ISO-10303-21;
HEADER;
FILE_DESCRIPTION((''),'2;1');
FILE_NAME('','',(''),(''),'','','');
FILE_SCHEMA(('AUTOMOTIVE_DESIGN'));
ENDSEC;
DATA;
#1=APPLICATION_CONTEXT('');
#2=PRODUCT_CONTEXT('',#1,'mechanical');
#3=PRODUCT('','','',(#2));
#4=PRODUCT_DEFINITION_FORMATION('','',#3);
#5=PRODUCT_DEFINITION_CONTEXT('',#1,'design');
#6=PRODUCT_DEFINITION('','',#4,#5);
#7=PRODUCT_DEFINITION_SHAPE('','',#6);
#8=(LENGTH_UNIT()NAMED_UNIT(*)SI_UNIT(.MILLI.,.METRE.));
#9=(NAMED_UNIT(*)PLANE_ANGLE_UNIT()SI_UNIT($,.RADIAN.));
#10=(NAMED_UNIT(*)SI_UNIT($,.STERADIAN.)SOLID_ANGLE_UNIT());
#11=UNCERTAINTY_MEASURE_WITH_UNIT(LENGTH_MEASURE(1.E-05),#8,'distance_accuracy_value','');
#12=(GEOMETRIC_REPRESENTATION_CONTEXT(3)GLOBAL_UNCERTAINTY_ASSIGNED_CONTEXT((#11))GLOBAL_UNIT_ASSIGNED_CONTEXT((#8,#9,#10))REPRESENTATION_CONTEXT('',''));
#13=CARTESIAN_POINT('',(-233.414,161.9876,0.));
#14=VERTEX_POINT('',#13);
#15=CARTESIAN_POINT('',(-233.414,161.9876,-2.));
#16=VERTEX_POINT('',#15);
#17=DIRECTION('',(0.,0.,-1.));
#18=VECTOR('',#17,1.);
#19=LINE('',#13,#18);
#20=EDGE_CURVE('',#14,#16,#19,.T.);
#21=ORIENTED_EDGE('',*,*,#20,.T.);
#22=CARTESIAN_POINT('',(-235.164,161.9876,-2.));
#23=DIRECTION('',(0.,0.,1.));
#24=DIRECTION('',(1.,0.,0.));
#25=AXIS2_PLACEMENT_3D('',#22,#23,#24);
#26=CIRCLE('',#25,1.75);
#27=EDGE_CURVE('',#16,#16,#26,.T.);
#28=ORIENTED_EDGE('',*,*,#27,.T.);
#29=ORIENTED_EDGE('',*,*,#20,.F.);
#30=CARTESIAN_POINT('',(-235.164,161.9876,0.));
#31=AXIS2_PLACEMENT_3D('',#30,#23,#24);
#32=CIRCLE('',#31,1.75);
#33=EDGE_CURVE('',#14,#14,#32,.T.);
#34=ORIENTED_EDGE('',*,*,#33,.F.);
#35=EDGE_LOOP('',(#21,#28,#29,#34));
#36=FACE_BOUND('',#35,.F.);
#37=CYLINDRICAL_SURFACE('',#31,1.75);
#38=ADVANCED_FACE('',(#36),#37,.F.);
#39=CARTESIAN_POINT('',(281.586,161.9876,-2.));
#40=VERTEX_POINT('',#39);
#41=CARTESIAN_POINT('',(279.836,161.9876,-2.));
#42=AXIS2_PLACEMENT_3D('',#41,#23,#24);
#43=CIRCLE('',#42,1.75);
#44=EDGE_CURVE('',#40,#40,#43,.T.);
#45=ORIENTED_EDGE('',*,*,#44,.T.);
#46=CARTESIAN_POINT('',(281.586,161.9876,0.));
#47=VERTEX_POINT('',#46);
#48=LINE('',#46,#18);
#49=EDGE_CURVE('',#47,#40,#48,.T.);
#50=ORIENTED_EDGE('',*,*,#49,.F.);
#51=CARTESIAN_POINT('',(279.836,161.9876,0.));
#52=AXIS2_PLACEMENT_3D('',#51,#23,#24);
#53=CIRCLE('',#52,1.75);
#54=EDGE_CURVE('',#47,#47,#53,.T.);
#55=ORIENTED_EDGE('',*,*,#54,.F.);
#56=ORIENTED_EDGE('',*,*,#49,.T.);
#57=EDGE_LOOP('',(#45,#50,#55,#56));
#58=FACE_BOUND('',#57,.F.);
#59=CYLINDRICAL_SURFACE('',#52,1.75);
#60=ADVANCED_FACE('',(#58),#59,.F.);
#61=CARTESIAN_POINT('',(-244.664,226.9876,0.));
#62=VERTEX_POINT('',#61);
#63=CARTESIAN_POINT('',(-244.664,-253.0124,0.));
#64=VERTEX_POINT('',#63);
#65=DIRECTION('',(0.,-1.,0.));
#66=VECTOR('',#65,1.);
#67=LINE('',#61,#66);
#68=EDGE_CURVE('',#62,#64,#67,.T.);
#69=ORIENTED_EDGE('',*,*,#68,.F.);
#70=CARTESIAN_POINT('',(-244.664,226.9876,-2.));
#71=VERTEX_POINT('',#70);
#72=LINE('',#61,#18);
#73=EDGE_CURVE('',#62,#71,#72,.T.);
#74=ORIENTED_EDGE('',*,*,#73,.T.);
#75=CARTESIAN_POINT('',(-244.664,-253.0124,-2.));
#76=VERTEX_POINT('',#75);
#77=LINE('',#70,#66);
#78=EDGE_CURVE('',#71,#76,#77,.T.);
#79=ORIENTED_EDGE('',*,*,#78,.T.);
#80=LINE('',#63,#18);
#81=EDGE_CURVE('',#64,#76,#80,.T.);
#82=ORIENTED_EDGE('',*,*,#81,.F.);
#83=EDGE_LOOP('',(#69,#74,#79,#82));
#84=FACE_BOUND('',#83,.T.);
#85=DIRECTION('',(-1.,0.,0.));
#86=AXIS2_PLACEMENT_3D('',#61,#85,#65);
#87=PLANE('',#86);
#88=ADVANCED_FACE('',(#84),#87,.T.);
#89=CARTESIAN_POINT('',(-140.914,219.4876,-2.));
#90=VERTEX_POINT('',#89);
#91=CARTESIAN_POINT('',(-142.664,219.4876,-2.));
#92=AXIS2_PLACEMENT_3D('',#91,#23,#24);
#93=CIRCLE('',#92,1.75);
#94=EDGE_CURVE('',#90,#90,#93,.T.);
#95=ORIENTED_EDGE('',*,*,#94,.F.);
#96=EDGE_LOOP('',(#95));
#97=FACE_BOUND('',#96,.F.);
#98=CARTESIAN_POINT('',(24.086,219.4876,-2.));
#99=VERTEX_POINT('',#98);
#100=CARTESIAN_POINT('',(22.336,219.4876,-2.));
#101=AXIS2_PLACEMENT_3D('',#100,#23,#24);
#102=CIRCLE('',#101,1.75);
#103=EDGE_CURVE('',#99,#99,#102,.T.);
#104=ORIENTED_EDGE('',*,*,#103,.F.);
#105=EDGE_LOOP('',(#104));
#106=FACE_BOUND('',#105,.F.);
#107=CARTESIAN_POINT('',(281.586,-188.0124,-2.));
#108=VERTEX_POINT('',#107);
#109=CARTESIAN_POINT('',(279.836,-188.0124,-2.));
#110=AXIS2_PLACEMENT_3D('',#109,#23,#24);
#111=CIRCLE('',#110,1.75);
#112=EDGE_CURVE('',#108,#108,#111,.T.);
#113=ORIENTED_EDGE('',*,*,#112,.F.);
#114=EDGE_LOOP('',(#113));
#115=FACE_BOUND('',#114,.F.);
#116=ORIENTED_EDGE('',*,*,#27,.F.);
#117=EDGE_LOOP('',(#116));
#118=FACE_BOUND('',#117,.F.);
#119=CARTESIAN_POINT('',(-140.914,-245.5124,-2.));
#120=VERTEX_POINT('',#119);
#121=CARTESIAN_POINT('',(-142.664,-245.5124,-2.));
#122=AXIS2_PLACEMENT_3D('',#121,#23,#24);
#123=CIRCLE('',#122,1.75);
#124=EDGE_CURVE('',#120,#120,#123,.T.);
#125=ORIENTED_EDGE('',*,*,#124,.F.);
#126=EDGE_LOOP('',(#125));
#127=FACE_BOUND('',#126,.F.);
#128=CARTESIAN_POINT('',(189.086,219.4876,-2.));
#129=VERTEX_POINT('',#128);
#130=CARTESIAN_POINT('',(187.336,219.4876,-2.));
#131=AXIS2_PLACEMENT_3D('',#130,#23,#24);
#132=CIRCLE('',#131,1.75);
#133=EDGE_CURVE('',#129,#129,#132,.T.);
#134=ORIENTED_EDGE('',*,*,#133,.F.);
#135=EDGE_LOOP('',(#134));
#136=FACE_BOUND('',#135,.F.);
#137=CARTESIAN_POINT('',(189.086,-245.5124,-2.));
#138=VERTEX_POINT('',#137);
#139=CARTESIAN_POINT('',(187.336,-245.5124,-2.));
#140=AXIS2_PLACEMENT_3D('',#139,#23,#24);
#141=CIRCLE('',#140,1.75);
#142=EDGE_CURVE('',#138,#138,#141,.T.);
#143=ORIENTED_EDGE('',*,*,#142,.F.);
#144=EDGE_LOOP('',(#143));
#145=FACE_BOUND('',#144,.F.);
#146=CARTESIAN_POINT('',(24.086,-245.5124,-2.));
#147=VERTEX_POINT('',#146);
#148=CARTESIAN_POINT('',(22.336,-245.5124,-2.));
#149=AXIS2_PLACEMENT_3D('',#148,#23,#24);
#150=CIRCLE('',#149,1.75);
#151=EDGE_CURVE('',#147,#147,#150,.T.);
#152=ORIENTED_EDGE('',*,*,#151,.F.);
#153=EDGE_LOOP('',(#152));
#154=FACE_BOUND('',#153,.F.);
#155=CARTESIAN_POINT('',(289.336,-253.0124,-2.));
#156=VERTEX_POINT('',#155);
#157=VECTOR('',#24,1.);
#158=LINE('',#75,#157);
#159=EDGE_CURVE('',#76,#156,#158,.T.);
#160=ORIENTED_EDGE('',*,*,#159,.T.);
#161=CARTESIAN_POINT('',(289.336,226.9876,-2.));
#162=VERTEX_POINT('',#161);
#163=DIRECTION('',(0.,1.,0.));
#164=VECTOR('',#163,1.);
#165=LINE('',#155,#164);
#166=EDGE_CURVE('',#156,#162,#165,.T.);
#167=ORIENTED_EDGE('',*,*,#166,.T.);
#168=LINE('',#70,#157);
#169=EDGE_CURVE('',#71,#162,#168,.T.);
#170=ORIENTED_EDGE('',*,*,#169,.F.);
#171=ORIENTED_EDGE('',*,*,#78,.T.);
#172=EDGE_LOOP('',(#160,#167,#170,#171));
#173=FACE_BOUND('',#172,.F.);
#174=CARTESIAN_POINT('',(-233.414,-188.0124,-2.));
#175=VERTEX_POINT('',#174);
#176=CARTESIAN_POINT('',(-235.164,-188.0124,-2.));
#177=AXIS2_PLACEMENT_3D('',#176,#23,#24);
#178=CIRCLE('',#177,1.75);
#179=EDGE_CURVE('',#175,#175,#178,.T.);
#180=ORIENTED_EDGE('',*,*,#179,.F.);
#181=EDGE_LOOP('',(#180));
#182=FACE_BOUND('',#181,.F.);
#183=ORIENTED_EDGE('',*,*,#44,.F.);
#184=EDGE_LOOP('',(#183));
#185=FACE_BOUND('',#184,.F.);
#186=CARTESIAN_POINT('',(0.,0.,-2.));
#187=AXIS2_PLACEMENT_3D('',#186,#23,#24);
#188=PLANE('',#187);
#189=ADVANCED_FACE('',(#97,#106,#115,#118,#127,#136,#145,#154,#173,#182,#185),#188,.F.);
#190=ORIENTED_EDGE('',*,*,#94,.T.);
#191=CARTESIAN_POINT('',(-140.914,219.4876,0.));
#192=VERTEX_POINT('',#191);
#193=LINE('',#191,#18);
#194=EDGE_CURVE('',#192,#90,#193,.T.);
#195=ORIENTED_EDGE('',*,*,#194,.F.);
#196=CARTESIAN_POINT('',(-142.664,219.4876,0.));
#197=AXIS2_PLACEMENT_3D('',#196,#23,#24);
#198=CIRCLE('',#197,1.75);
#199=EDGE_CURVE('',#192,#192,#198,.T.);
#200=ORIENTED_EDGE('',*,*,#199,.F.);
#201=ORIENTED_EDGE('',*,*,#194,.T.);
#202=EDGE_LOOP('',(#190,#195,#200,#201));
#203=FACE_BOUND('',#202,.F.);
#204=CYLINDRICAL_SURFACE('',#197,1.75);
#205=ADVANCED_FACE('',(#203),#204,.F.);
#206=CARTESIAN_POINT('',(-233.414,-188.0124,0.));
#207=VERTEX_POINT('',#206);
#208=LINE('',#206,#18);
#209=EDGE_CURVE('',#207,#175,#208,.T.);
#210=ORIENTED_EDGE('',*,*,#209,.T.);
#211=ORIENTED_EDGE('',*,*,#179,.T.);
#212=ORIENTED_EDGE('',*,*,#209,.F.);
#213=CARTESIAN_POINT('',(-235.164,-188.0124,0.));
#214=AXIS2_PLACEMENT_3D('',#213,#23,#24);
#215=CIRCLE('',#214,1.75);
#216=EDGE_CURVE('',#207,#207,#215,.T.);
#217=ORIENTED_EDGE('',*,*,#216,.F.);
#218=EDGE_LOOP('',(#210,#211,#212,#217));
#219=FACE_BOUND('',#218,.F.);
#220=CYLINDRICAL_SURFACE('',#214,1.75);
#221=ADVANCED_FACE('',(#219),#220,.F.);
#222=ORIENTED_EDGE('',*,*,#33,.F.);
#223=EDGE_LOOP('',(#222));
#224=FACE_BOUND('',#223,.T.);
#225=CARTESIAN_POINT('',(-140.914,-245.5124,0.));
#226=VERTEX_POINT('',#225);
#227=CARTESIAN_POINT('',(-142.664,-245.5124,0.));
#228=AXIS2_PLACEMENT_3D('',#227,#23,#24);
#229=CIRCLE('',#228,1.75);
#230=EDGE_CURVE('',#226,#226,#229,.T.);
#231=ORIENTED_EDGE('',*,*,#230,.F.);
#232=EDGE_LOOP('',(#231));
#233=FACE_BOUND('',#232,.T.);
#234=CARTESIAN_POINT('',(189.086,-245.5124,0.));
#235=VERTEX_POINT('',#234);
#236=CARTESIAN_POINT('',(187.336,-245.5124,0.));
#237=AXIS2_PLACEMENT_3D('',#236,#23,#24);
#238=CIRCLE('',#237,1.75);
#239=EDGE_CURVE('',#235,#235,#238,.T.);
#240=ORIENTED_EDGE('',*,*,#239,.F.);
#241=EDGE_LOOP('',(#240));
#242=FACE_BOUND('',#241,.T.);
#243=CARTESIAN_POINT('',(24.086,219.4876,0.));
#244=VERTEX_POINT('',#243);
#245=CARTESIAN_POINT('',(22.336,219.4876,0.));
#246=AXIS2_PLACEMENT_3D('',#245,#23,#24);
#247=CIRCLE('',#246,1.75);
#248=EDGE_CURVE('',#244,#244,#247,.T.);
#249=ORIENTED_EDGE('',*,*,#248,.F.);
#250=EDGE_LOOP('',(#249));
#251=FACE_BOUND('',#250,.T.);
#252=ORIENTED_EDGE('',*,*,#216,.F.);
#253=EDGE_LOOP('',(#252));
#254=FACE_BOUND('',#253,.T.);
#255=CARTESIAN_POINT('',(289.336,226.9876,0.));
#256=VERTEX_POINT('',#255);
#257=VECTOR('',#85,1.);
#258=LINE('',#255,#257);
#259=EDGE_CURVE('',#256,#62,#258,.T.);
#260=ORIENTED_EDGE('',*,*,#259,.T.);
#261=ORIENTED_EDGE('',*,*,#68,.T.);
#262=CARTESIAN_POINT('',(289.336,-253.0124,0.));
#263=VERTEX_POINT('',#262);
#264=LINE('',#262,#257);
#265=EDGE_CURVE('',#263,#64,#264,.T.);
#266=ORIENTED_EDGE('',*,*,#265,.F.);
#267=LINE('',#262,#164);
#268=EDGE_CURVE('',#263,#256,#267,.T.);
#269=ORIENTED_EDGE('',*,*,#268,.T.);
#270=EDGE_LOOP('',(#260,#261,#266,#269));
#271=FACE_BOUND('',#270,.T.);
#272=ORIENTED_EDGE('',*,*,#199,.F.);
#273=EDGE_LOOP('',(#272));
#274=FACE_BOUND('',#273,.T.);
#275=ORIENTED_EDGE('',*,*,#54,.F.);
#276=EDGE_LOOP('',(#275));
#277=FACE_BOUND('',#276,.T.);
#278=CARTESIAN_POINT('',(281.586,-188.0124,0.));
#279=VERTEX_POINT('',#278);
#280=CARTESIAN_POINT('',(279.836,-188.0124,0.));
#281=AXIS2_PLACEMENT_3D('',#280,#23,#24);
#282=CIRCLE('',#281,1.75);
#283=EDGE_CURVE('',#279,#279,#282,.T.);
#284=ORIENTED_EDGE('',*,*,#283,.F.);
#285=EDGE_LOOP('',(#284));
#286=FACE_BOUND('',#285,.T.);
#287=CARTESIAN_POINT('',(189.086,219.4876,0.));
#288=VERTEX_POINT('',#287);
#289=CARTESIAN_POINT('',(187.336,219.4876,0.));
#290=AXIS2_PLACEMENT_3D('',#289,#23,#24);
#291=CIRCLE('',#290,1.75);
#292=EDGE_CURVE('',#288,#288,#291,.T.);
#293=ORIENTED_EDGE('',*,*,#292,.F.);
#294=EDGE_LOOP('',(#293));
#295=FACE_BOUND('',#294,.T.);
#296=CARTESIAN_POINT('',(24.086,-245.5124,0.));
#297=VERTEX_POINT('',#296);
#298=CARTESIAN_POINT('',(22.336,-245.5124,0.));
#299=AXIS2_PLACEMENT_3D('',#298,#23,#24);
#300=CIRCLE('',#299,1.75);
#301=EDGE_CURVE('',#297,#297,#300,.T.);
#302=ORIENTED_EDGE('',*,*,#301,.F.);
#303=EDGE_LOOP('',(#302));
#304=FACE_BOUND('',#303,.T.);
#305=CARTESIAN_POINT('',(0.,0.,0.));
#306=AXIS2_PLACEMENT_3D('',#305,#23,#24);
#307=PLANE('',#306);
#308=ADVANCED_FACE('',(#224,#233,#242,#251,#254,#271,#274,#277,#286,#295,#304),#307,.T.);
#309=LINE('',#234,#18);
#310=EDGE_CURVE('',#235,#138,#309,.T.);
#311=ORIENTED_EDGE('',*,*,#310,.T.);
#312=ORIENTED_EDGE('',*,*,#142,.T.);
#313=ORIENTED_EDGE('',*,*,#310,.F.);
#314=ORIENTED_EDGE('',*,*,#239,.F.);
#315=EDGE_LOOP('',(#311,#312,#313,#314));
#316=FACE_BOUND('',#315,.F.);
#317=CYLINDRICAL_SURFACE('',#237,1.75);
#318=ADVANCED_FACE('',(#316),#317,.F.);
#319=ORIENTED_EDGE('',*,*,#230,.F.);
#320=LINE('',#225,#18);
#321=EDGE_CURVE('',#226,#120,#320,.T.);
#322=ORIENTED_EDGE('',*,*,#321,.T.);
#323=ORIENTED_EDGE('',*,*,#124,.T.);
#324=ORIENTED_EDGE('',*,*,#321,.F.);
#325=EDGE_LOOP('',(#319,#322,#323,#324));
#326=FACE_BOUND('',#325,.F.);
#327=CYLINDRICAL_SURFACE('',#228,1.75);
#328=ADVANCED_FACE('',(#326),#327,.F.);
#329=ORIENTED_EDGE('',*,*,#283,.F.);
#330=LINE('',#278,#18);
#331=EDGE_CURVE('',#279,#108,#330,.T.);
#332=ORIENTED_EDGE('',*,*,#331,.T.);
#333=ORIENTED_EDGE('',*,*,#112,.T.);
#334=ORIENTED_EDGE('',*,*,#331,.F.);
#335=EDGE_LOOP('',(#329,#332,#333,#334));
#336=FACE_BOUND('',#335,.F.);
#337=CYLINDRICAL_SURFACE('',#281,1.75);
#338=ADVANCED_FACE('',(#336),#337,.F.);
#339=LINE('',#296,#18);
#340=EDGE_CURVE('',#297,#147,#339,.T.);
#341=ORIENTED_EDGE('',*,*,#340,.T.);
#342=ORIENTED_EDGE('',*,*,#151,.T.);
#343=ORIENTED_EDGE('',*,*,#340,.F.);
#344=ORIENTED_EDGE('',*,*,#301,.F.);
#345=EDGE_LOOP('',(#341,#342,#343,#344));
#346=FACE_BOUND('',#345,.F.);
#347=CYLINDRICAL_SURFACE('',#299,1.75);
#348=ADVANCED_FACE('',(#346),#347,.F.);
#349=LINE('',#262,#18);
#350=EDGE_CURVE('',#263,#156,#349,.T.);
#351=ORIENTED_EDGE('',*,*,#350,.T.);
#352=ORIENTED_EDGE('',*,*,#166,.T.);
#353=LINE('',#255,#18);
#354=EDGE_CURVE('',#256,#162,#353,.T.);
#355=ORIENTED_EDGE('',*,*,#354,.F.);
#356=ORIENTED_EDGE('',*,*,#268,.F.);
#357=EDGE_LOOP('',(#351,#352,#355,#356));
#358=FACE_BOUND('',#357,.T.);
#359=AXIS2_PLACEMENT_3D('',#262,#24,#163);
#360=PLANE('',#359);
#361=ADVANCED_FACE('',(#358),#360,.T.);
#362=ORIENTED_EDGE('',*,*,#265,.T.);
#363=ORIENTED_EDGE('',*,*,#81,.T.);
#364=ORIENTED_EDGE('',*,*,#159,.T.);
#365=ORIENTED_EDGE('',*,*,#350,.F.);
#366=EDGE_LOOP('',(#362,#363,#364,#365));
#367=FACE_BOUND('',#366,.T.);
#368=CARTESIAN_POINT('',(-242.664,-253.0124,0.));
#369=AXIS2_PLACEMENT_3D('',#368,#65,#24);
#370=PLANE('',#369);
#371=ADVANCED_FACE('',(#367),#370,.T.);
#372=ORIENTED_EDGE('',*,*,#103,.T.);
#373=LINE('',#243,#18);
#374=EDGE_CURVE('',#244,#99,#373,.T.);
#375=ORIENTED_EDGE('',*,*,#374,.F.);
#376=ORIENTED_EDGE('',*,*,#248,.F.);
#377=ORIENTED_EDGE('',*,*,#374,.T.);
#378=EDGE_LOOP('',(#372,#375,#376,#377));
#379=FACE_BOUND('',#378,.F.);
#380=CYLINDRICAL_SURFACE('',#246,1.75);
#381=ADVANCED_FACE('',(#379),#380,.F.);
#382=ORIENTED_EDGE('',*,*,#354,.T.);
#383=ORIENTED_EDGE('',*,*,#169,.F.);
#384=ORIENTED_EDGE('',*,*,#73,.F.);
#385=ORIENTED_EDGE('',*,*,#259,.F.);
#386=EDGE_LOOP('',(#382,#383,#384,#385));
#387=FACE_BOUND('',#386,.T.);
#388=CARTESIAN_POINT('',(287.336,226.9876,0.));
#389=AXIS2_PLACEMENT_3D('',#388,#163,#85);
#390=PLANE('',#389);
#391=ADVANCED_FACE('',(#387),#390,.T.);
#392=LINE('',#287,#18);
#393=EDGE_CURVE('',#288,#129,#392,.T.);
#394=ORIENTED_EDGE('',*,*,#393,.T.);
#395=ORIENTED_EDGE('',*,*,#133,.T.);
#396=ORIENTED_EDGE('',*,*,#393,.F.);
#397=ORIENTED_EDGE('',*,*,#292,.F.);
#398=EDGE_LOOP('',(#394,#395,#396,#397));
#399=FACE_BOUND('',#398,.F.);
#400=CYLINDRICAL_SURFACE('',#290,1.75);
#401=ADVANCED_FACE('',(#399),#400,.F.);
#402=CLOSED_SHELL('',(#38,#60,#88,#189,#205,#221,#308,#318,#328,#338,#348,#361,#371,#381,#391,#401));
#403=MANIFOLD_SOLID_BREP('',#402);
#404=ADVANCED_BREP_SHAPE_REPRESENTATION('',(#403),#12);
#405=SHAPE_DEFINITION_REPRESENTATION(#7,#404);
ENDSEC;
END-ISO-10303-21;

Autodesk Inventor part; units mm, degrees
ref_plane "YZ Plane" through (0, 0, 0) normal (1, 0, 0) x (0, 1, 0)
ref_plane "XZ Plane" through (0, 0, 0) normal (0, 1, 0) x (-1, 0, 0)
ref_plane "XY Plane" through (0, 0, 0) normal (0, 0, 1) x (1, 0, 0)
sketch "Sketch1" plane through (0, 0, 0) normal (0, 0, 1) x (1, 0, 0)
  line L0 (287.336, -253.0124) -> (287.336, 226.9876) projected
  line L1 (287.336, 226.9876) -> (289.336, 226.9876) projected
  line L2 (289.336, -253.0124) -> (289.336, 226.9876) projected
  line L3 (287.336, -253.0124) -> (289.336, -253.0124) projected
  line L4 (-242.664, 226.9876) -> (-242.664, -253.0124) projected
  line L5 (-242.664, -253.0124) -> (-244.664, -253.0124) projected
  line L6 (-244.664, 226.9876) -> (-244.664, -253.0124) projected
  line L7 (-242.664, 226.9876) -> (-244.664, 226.9876) projected
  line L8 (287.336, 226.9876) -> (-242.664, 226.9876)
  line L9 (-242.664, -253.0124) -> (287.336, -253.0124)
  circle A0 centre (187.336, 219.4876) radius 1.75
  circle A1 centre (-142.664, 219.4876) radius 1.75
  circle A2 centre (22.336, 219.4876) radius 1.75
  circle A3 centre (187.336, -245.5124) radius 1.75
  circle A4 centre (22.336, -245.5124) radius 1.75
  circle A5 centre (-142.664, -245.5124) radius 1.75
  circle A6 centre (279.836, 161.9876) radius 1.75
  circle A7 centre (279.836, -188.0124) radius 1.75
  circle A8 centre (-235.164, -188.0124) radius 1.75
  circle A9 centre (-235.164, 161.9876) radius 1.75
  point P0 (0, 0)
  point P1 (22.336, 226.9876)
  dimension "d0" = 7.5
  dimension "d1" = 100
  dimension "d2" = 100
  dimension "d3" = 3.5
  dimension "d4" = 7.5
  dimension "d7" = 65
  dimension "d8" = 65
  dimension "d10" = 7.5
  dimension "d11" = 7.5
extrude "Extrusion1" add sketch "Sketch1" against normal blind 2
equation "\"d2\" = d1"
equation "\"d8\" = d7"
equation "\"d10\" = d9"
equation "\"d11\" = d4"
equation "\"d9\" = d4"
properties part number "Rear Panel" material "Aluminum 6061"
